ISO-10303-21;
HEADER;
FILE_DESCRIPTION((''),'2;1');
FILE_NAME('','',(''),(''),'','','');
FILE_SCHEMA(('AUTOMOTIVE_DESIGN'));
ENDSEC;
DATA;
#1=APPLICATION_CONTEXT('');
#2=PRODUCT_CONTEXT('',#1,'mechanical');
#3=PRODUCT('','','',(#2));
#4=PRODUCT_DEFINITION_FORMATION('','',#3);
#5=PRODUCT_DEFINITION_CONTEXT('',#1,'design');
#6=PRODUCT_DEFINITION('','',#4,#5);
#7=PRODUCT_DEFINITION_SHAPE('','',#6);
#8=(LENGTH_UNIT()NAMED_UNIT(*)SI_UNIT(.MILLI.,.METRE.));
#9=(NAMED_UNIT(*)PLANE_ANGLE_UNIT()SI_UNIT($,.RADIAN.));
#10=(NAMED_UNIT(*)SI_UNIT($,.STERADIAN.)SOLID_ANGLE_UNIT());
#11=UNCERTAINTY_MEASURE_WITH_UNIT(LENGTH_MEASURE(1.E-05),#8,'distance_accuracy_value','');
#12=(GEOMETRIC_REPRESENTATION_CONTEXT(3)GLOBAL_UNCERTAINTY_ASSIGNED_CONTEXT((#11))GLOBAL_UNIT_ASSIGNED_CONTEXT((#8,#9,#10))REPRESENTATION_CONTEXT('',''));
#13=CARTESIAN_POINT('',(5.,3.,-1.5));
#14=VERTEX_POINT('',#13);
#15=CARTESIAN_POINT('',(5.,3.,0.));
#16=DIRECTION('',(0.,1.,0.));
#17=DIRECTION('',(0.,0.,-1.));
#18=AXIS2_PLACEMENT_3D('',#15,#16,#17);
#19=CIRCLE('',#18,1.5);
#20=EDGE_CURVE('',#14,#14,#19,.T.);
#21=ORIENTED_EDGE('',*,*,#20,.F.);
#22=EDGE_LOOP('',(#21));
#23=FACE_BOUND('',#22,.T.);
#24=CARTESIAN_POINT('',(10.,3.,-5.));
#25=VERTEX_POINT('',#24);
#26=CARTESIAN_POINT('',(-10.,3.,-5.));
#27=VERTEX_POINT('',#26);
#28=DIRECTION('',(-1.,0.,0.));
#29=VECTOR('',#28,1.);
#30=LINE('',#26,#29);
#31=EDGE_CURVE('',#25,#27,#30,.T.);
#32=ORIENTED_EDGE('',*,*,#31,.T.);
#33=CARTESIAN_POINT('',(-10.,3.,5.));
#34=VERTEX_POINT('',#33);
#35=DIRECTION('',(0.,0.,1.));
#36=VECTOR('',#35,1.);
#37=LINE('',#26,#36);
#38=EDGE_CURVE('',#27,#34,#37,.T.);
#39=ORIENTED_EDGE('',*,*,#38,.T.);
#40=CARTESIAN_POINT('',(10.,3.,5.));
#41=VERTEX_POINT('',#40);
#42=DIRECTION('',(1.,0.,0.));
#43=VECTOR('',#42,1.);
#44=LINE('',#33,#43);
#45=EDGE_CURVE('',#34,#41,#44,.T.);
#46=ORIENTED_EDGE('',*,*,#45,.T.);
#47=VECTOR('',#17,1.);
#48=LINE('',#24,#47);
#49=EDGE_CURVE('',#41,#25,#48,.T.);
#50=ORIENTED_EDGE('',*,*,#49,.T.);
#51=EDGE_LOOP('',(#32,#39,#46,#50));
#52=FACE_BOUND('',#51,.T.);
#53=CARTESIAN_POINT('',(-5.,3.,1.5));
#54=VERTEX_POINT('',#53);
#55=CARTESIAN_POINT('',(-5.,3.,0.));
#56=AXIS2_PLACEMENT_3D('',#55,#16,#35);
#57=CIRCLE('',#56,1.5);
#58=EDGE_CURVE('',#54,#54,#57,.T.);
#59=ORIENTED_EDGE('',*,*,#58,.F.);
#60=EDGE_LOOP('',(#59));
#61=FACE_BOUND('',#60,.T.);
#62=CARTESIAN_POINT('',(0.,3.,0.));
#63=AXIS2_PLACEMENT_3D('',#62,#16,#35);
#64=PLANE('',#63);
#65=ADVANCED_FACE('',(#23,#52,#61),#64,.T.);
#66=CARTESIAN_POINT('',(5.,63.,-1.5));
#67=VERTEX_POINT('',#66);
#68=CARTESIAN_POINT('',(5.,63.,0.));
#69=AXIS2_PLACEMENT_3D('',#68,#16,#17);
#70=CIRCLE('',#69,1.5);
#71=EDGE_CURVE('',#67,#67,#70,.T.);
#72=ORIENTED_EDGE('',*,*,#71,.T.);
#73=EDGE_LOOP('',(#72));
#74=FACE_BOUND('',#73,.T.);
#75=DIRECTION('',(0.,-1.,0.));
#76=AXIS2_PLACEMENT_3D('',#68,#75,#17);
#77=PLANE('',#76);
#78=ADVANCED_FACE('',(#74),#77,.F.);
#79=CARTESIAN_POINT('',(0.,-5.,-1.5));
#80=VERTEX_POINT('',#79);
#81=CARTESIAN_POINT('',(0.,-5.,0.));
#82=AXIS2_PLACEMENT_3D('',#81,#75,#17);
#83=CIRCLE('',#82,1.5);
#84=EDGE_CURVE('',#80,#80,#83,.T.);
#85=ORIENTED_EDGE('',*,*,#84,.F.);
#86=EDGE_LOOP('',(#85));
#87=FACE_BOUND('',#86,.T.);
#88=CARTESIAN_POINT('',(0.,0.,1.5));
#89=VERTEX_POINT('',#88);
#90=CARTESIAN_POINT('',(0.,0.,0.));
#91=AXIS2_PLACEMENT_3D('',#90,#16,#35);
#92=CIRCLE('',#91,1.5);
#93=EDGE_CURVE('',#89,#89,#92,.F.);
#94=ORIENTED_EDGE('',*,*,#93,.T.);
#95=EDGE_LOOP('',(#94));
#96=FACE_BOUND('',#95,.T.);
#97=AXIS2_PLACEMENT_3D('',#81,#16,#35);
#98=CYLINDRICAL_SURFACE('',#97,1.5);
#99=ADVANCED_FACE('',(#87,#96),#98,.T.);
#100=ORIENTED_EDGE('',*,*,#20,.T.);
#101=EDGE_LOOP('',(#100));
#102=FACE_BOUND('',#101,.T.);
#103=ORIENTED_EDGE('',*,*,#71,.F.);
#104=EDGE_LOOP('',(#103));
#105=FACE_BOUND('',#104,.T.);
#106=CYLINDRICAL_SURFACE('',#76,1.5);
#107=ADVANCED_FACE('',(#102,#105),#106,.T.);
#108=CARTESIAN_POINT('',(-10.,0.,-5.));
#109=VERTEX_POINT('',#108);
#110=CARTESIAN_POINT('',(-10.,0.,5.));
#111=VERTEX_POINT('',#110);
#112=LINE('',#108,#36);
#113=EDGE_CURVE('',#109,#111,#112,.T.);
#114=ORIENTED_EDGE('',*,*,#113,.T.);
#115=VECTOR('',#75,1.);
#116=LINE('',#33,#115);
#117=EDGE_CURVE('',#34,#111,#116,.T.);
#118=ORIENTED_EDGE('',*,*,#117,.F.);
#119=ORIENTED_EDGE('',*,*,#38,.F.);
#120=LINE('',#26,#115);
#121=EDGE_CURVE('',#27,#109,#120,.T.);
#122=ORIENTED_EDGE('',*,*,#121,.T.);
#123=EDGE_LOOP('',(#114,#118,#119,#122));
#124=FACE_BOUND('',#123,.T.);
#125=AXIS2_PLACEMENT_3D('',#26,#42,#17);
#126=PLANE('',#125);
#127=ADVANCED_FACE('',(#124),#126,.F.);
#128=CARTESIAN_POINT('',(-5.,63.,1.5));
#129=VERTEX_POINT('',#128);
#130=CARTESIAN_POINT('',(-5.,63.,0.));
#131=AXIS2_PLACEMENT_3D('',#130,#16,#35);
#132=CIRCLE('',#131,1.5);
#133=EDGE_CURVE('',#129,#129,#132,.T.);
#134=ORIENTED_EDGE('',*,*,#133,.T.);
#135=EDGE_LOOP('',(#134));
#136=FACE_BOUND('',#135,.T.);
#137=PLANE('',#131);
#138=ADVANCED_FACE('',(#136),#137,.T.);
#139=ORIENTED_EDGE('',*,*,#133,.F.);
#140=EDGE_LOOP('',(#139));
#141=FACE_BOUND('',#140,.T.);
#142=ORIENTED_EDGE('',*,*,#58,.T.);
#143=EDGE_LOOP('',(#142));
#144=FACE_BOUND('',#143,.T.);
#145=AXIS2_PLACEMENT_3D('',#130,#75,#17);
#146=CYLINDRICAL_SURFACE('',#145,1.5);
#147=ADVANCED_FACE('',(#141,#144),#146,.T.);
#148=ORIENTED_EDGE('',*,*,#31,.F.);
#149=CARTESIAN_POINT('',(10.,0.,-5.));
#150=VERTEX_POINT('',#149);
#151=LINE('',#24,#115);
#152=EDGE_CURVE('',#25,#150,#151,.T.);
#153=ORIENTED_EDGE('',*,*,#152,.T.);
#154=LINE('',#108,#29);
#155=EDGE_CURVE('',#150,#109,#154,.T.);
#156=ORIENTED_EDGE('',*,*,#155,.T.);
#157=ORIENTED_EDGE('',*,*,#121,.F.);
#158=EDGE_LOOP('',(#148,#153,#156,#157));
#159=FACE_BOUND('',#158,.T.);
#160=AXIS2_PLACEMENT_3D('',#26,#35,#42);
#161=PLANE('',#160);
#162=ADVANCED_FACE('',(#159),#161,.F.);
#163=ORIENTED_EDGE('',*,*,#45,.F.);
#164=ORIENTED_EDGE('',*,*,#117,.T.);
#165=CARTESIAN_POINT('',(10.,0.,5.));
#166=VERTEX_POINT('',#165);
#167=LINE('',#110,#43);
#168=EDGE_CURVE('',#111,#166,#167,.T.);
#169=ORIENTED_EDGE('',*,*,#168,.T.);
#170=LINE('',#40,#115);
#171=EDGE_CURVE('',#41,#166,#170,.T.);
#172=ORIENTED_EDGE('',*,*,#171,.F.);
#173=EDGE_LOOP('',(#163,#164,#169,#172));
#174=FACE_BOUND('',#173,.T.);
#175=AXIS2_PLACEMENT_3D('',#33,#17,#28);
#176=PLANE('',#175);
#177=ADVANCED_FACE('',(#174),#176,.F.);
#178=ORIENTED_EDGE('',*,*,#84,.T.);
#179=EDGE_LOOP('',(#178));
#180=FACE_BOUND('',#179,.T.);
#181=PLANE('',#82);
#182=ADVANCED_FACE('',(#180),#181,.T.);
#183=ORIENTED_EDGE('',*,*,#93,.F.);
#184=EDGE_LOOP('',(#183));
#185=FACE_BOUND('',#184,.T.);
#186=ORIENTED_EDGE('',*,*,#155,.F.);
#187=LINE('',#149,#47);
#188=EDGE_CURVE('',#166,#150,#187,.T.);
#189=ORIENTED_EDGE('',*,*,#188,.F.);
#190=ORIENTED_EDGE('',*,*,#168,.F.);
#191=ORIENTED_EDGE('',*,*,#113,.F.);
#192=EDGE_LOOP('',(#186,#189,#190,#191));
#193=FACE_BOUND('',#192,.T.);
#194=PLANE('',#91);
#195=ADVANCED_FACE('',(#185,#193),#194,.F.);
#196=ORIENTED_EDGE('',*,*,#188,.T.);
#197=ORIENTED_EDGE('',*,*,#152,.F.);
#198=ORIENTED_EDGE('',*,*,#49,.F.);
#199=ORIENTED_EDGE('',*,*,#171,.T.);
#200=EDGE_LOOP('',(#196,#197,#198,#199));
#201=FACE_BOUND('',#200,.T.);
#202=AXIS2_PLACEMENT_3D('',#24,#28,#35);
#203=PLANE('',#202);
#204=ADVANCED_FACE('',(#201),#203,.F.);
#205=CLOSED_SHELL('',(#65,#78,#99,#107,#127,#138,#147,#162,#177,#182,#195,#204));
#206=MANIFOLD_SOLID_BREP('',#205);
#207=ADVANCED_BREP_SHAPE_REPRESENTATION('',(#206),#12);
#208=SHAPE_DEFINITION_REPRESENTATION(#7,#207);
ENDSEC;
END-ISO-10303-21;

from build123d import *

# Parameters (mm, degrees)
SKETCH1_W           = 20
SKETCH1_H           = 10
BOSS_EXTRUDE1_DEPTH = 3
SKETCH2_R           = 1.5
BOSS_EXTRUDE2_DEPTH = 60
SKETCH3_R           = 1.5
BOSS_EXTRUDE3_DEPTH = 5


with BuildPart() as part:
    # Sketch1 → Boss-Extrude1 (new body)
    with BuildSketch(Plane(origin=(0, 0, 0), x_dir=(1, 0, 0), z_dir=(0, 1, 0))):
        Rectangle(SKETCH1_W, SKETCH1_H)
    extrude(amount=BOSS_EXTRUDE1_DEPTH)

    # Sketch2 → Boss-Extrude2 (add)
    with BuildSketch(Plane(origin=(0, 3, 0), x_dir=(1, 0, 0), z_dir=(0, 1, 0))):
        with Locations((-5, 0)):
            Circle(SKETCH2_R)
        with Locations((5, 0)):
            Circle(SKETCH2_R)
    extrude(amount=BOSS_EXTRUDE2_DEPTH)

    # Sketch3 → Boss-Extrude3 (add)
    with BuildSketch(Plane.XZ):
        Circle(SKETCH3_R)
    extrude(amount=BOSS_EXTRUDE3_DEPTH)


solid = part.part
